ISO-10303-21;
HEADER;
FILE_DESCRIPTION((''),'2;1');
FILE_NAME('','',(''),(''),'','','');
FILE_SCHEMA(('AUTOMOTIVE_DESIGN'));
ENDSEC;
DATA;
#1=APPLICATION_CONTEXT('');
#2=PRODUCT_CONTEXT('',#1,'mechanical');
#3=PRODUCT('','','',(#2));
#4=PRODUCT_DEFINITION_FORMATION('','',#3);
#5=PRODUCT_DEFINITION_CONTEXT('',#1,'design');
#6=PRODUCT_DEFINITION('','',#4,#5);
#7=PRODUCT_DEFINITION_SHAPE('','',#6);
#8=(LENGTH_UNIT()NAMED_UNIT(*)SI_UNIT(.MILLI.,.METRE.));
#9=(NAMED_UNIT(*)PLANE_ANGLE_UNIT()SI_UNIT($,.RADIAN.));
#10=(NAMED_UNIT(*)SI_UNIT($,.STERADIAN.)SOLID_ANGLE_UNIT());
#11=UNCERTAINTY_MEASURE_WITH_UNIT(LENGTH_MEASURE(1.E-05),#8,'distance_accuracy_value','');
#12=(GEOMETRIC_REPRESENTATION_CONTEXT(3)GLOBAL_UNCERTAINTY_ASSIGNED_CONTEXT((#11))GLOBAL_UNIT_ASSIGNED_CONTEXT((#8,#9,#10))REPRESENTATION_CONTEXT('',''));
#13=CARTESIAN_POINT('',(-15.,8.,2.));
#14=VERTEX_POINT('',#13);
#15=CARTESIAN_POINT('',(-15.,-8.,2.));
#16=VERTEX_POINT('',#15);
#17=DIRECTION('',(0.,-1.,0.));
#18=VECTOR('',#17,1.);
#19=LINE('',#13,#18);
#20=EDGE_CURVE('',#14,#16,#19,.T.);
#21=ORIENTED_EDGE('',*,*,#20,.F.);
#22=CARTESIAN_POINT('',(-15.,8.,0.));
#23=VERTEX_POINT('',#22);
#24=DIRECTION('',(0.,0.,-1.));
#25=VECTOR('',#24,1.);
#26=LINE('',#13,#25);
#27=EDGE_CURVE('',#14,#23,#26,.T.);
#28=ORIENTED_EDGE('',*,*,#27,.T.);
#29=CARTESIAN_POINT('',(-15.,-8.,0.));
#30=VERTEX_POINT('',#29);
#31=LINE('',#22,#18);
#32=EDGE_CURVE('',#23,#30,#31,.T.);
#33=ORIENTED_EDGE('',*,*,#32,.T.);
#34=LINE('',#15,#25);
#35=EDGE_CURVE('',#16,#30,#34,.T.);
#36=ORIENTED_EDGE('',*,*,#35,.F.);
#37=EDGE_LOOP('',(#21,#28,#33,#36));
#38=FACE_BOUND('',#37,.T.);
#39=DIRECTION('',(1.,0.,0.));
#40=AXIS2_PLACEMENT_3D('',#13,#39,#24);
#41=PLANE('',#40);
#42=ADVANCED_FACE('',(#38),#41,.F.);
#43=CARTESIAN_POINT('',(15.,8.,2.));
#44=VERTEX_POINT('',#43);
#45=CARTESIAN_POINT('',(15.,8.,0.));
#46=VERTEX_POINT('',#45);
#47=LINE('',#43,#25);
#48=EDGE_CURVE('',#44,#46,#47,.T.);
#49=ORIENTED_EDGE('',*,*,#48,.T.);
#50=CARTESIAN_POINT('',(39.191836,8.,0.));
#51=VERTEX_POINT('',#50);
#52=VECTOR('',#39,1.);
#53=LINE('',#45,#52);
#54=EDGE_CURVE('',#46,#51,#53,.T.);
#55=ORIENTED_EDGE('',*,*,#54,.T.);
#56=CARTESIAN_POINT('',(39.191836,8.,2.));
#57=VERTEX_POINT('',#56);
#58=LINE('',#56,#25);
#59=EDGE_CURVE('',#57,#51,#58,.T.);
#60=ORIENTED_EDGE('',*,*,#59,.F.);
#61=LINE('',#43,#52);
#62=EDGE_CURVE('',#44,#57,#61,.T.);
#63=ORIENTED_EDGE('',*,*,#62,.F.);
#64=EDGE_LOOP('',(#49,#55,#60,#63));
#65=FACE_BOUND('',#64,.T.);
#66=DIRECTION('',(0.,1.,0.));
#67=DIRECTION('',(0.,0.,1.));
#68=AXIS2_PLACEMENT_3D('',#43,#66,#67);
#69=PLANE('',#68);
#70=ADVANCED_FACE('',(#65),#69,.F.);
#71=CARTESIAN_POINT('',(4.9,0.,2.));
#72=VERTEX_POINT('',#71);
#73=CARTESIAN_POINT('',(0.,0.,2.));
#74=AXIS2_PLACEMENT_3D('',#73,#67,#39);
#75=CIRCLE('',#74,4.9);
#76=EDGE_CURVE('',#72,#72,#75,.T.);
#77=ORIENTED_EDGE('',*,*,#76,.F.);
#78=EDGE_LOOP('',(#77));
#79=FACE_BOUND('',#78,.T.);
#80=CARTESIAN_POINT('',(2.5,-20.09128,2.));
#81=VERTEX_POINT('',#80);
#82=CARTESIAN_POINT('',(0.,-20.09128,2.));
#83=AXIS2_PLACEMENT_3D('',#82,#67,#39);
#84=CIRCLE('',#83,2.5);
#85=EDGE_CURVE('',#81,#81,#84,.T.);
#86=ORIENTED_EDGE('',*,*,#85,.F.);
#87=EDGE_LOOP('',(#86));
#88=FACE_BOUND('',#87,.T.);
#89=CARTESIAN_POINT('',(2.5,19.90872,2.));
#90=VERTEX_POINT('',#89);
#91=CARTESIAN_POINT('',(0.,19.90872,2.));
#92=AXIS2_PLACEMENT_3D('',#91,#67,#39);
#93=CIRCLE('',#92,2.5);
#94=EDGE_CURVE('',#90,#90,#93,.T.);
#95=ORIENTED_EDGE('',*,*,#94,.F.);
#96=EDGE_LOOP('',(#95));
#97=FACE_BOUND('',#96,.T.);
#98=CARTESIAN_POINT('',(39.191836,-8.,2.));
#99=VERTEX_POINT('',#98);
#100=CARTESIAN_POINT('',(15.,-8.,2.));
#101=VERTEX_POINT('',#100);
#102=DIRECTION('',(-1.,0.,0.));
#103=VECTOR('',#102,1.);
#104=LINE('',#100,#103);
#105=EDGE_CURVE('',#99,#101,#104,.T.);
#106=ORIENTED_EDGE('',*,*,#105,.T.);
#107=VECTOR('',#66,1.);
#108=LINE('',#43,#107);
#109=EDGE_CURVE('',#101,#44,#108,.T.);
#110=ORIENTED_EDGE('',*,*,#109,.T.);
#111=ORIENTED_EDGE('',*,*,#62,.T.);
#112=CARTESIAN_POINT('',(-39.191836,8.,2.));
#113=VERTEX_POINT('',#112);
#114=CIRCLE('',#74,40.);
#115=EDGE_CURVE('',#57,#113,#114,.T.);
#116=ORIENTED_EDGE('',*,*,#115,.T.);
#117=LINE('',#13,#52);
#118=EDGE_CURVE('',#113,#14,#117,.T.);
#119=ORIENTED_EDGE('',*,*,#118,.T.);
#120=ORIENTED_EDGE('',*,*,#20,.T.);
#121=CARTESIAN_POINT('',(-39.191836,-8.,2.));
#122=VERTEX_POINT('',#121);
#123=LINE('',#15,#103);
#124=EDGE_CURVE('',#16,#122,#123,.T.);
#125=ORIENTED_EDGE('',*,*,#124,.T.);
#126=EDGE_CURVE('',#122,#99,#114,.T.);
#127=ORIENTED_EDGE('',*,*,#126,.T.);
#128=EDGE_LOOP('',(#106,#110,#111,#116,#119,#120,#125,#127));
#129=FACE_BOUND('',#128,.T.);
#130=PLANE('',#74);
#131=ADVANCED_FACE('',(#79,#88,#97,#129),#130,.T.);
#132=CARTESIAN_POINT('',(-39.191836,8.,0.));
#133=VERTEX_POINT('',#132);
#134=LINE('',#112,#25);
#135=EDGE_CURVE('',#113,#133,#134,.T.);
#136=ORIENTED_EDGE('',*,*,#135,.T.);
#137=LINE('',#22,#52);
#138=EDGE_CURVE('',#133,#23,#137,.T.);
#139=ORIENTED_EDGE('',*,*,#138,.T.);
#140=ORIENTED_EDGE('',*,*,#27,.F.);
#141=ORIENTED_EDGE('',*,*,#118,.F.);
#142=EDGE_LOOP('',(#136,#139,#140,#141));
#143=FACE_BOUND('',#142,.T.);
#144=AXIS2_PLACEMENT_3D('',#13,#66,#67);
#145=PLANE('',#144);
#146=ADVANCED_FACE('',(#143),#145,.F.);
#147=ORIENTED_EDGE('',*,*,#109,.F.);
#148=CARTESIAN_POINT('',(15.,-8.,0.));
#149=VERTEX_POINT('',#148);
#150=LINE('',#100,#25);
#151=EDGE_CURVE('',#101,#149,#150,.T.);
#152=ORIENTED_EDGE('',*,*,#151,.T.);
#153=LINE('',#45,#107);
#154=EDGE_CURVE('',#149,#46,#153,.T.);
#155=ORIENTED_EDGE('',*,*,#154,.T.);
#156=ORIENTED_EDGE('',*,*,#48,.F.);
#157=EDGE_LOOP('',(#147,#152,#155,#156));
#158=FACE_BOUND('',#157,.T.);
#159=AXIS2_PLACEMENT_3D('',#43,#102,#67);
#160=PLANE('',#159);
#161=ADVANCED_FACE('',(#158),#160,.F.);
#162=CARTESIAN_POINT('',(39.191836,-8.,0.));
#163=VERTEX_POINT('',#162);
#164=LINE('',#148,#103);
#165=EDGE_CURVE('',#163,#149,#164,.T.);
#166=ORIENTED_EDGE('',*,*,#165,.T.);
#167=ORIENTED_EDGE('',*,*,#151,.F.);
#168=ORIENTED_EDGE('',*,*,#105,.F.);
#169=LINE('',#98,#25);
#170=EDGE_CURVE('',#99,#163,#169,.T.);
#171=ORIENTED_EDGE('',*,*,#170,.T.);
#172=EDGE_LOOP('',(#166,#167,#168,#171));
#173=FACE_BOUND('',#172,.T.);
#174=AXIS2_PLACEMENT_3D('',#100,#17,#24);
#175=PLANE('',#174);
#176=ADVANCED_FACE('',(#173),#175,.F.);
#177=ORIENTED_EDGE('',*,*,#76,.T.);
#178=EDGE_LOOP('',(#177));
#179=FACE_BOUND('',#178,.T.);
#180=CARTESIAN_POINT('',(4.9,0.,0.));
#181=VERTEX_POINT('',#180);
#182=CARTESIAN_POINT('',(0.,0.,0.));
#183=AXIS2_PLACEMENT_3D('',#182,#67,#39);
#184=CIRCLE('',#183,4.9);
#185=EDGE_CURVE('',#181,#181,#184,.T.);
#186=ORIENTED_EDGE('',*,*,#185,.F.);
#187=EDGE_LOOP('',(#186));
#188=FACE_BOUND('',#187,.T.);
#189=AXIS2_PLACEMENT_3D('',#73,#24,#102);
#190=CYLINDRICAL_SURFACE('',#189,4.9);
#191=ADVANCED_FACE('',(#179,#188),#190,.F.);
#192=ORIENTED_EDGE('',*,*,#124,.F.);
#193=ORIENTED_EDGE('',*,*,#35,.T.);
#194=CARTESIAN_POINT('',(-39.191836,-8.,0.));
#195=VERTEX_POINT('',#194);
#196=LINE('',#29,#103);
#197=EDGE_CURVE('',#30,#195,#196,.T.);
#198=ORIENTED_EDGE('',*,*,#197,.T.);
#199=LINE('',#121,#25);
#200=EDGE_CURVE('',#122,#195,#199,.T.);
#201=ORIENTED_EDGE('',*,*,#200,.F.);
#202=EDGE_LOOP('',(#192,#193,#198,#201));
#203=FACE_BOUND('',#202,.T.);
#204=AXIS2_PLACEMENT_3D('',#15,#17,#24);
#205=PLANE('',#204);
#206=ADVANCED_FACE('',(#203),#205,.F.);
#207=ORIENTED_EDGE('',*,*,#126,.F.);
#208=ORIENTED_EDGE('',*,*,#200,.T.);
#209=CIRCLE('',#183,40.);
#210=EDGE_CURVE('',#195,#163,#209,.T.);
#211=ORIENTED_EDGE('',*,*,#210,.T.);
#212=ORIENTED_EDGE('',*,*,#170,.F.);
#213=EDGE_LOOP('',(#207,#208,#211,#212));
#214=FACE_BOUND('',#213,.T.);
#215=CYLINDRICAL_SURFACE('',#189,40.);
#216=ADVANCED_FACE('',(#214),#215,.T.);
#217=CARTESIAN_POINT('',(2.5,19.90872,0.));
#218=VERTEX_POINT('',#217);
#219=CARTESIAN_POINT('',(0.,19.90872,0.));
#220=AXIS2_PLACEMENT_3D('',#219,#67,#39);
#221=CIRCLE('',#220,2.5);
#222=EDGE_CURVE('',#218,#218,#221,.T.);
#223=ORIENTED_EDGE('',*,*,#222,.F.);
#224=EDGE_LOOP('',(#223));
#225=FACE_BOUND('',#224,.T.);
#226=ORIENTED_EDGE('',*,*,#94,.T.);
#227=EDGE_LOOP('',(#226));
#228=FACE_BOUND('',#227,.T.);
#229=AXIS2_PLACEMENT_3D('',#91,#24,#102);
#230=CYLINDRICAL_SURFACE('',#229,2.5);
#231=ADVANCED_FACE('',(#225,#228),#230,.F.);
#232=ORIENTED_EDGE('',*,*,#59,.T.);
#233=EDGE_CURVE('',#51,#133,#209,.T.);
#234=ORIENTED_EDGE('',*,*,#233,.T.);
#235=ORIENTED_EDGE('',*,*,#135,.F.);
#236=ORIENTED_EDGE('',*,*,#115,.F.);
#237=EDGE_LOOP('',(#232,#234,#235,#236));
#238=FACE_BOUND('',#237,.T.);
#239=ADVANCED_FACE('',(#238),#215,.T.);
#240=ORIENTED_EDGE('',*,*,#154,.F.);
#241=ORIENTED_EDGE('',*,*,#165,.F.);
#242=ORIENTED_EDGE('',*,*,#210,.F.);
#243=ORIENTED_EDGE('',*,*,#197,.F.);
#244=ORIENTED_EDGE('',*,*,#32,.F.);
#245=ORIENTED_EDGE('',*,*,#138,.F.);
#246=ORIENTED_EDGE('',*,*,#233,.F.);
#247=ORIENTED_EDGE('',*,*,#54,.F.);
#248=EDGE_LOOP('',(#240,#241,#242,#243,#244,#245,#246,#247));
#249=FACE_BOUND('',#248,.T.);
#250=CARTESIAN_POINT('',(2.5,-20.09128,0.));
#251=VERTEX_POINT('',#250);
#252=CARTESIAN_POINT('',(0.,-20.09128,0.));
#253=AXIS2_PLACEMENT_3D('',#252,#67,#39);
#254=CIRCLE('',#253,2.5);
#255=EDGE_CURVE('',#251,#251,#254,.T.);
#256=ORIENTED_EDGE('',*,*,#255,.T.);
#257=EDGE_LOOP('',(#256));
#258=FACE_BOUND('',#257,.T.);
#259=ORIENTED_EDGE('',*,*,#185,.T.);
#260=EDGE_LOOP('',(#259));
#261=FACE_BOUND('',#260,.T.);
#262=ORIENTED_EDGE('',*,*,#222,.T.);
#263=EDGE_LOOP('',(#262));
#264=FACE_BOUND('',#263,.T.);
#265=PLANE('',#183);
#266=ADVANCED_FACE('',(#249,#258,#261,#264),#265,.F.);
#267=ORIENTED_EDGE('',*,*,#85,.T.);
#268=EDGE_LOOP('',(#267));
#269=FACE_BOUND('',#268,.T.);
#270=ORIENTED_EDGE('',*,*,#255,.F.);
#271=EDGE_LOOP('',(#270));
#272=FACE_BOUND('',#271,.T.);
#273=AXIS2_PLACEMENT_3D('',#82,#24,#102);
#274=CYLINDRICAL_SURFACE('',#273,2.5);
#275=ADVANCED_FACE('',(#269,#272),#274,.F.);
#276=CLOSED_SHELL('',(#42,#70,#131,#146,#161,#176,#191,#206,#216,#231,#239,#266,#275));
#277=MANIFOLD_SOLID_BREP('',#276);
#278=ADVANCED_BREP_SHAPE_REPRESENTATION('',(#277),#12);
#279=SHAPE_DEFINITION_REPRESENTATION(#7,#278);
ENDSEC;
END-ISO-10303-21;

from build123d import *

# Parameters (mm, degrees)
SKETCH1_R           = 2.5
SKETCH1_R_2         = 4.9
BOSS_EXTRUDE1_DEPTH = 2


with BuildPart() as part:
    # Sketch1 → Boss-Extrude1 (new body)
    with BuildSketch(Plane.XY):
        with BuildLine():
            Line((-15, 8), (-39.191835885, 8))
            ThreePointArc((-39.191835885, 8), (0, 40), (39.191835885, 8))
            Line((39.191835885, 8), (15, 8))
            Line((15, 8), (15, -8))
            Line((15, -8), (39.191835885, -8))
            ThreePointArc((39.191835885, -8), (0, -40), (-39.191835885, -8))
            Line((-39.191835885, -8), (-15, -8))
            Line((-15, -8), (-15, 8))
        make_face()
        with Locations((0, 19.908720325)):
            Circle(SKETCH1_R, mode=Mode.SUBTRACT)
        with Locations((0, -20.091279675)):
            Circle(SKETCH1_R, mode=Mode.SUBTRACT)
        Circle(SKETCH1_R_2, mode=Mode.SUBTRACT)
    extrude(amount=BOSS_EXTRUDE1_DEPTH)


solid = part.part
